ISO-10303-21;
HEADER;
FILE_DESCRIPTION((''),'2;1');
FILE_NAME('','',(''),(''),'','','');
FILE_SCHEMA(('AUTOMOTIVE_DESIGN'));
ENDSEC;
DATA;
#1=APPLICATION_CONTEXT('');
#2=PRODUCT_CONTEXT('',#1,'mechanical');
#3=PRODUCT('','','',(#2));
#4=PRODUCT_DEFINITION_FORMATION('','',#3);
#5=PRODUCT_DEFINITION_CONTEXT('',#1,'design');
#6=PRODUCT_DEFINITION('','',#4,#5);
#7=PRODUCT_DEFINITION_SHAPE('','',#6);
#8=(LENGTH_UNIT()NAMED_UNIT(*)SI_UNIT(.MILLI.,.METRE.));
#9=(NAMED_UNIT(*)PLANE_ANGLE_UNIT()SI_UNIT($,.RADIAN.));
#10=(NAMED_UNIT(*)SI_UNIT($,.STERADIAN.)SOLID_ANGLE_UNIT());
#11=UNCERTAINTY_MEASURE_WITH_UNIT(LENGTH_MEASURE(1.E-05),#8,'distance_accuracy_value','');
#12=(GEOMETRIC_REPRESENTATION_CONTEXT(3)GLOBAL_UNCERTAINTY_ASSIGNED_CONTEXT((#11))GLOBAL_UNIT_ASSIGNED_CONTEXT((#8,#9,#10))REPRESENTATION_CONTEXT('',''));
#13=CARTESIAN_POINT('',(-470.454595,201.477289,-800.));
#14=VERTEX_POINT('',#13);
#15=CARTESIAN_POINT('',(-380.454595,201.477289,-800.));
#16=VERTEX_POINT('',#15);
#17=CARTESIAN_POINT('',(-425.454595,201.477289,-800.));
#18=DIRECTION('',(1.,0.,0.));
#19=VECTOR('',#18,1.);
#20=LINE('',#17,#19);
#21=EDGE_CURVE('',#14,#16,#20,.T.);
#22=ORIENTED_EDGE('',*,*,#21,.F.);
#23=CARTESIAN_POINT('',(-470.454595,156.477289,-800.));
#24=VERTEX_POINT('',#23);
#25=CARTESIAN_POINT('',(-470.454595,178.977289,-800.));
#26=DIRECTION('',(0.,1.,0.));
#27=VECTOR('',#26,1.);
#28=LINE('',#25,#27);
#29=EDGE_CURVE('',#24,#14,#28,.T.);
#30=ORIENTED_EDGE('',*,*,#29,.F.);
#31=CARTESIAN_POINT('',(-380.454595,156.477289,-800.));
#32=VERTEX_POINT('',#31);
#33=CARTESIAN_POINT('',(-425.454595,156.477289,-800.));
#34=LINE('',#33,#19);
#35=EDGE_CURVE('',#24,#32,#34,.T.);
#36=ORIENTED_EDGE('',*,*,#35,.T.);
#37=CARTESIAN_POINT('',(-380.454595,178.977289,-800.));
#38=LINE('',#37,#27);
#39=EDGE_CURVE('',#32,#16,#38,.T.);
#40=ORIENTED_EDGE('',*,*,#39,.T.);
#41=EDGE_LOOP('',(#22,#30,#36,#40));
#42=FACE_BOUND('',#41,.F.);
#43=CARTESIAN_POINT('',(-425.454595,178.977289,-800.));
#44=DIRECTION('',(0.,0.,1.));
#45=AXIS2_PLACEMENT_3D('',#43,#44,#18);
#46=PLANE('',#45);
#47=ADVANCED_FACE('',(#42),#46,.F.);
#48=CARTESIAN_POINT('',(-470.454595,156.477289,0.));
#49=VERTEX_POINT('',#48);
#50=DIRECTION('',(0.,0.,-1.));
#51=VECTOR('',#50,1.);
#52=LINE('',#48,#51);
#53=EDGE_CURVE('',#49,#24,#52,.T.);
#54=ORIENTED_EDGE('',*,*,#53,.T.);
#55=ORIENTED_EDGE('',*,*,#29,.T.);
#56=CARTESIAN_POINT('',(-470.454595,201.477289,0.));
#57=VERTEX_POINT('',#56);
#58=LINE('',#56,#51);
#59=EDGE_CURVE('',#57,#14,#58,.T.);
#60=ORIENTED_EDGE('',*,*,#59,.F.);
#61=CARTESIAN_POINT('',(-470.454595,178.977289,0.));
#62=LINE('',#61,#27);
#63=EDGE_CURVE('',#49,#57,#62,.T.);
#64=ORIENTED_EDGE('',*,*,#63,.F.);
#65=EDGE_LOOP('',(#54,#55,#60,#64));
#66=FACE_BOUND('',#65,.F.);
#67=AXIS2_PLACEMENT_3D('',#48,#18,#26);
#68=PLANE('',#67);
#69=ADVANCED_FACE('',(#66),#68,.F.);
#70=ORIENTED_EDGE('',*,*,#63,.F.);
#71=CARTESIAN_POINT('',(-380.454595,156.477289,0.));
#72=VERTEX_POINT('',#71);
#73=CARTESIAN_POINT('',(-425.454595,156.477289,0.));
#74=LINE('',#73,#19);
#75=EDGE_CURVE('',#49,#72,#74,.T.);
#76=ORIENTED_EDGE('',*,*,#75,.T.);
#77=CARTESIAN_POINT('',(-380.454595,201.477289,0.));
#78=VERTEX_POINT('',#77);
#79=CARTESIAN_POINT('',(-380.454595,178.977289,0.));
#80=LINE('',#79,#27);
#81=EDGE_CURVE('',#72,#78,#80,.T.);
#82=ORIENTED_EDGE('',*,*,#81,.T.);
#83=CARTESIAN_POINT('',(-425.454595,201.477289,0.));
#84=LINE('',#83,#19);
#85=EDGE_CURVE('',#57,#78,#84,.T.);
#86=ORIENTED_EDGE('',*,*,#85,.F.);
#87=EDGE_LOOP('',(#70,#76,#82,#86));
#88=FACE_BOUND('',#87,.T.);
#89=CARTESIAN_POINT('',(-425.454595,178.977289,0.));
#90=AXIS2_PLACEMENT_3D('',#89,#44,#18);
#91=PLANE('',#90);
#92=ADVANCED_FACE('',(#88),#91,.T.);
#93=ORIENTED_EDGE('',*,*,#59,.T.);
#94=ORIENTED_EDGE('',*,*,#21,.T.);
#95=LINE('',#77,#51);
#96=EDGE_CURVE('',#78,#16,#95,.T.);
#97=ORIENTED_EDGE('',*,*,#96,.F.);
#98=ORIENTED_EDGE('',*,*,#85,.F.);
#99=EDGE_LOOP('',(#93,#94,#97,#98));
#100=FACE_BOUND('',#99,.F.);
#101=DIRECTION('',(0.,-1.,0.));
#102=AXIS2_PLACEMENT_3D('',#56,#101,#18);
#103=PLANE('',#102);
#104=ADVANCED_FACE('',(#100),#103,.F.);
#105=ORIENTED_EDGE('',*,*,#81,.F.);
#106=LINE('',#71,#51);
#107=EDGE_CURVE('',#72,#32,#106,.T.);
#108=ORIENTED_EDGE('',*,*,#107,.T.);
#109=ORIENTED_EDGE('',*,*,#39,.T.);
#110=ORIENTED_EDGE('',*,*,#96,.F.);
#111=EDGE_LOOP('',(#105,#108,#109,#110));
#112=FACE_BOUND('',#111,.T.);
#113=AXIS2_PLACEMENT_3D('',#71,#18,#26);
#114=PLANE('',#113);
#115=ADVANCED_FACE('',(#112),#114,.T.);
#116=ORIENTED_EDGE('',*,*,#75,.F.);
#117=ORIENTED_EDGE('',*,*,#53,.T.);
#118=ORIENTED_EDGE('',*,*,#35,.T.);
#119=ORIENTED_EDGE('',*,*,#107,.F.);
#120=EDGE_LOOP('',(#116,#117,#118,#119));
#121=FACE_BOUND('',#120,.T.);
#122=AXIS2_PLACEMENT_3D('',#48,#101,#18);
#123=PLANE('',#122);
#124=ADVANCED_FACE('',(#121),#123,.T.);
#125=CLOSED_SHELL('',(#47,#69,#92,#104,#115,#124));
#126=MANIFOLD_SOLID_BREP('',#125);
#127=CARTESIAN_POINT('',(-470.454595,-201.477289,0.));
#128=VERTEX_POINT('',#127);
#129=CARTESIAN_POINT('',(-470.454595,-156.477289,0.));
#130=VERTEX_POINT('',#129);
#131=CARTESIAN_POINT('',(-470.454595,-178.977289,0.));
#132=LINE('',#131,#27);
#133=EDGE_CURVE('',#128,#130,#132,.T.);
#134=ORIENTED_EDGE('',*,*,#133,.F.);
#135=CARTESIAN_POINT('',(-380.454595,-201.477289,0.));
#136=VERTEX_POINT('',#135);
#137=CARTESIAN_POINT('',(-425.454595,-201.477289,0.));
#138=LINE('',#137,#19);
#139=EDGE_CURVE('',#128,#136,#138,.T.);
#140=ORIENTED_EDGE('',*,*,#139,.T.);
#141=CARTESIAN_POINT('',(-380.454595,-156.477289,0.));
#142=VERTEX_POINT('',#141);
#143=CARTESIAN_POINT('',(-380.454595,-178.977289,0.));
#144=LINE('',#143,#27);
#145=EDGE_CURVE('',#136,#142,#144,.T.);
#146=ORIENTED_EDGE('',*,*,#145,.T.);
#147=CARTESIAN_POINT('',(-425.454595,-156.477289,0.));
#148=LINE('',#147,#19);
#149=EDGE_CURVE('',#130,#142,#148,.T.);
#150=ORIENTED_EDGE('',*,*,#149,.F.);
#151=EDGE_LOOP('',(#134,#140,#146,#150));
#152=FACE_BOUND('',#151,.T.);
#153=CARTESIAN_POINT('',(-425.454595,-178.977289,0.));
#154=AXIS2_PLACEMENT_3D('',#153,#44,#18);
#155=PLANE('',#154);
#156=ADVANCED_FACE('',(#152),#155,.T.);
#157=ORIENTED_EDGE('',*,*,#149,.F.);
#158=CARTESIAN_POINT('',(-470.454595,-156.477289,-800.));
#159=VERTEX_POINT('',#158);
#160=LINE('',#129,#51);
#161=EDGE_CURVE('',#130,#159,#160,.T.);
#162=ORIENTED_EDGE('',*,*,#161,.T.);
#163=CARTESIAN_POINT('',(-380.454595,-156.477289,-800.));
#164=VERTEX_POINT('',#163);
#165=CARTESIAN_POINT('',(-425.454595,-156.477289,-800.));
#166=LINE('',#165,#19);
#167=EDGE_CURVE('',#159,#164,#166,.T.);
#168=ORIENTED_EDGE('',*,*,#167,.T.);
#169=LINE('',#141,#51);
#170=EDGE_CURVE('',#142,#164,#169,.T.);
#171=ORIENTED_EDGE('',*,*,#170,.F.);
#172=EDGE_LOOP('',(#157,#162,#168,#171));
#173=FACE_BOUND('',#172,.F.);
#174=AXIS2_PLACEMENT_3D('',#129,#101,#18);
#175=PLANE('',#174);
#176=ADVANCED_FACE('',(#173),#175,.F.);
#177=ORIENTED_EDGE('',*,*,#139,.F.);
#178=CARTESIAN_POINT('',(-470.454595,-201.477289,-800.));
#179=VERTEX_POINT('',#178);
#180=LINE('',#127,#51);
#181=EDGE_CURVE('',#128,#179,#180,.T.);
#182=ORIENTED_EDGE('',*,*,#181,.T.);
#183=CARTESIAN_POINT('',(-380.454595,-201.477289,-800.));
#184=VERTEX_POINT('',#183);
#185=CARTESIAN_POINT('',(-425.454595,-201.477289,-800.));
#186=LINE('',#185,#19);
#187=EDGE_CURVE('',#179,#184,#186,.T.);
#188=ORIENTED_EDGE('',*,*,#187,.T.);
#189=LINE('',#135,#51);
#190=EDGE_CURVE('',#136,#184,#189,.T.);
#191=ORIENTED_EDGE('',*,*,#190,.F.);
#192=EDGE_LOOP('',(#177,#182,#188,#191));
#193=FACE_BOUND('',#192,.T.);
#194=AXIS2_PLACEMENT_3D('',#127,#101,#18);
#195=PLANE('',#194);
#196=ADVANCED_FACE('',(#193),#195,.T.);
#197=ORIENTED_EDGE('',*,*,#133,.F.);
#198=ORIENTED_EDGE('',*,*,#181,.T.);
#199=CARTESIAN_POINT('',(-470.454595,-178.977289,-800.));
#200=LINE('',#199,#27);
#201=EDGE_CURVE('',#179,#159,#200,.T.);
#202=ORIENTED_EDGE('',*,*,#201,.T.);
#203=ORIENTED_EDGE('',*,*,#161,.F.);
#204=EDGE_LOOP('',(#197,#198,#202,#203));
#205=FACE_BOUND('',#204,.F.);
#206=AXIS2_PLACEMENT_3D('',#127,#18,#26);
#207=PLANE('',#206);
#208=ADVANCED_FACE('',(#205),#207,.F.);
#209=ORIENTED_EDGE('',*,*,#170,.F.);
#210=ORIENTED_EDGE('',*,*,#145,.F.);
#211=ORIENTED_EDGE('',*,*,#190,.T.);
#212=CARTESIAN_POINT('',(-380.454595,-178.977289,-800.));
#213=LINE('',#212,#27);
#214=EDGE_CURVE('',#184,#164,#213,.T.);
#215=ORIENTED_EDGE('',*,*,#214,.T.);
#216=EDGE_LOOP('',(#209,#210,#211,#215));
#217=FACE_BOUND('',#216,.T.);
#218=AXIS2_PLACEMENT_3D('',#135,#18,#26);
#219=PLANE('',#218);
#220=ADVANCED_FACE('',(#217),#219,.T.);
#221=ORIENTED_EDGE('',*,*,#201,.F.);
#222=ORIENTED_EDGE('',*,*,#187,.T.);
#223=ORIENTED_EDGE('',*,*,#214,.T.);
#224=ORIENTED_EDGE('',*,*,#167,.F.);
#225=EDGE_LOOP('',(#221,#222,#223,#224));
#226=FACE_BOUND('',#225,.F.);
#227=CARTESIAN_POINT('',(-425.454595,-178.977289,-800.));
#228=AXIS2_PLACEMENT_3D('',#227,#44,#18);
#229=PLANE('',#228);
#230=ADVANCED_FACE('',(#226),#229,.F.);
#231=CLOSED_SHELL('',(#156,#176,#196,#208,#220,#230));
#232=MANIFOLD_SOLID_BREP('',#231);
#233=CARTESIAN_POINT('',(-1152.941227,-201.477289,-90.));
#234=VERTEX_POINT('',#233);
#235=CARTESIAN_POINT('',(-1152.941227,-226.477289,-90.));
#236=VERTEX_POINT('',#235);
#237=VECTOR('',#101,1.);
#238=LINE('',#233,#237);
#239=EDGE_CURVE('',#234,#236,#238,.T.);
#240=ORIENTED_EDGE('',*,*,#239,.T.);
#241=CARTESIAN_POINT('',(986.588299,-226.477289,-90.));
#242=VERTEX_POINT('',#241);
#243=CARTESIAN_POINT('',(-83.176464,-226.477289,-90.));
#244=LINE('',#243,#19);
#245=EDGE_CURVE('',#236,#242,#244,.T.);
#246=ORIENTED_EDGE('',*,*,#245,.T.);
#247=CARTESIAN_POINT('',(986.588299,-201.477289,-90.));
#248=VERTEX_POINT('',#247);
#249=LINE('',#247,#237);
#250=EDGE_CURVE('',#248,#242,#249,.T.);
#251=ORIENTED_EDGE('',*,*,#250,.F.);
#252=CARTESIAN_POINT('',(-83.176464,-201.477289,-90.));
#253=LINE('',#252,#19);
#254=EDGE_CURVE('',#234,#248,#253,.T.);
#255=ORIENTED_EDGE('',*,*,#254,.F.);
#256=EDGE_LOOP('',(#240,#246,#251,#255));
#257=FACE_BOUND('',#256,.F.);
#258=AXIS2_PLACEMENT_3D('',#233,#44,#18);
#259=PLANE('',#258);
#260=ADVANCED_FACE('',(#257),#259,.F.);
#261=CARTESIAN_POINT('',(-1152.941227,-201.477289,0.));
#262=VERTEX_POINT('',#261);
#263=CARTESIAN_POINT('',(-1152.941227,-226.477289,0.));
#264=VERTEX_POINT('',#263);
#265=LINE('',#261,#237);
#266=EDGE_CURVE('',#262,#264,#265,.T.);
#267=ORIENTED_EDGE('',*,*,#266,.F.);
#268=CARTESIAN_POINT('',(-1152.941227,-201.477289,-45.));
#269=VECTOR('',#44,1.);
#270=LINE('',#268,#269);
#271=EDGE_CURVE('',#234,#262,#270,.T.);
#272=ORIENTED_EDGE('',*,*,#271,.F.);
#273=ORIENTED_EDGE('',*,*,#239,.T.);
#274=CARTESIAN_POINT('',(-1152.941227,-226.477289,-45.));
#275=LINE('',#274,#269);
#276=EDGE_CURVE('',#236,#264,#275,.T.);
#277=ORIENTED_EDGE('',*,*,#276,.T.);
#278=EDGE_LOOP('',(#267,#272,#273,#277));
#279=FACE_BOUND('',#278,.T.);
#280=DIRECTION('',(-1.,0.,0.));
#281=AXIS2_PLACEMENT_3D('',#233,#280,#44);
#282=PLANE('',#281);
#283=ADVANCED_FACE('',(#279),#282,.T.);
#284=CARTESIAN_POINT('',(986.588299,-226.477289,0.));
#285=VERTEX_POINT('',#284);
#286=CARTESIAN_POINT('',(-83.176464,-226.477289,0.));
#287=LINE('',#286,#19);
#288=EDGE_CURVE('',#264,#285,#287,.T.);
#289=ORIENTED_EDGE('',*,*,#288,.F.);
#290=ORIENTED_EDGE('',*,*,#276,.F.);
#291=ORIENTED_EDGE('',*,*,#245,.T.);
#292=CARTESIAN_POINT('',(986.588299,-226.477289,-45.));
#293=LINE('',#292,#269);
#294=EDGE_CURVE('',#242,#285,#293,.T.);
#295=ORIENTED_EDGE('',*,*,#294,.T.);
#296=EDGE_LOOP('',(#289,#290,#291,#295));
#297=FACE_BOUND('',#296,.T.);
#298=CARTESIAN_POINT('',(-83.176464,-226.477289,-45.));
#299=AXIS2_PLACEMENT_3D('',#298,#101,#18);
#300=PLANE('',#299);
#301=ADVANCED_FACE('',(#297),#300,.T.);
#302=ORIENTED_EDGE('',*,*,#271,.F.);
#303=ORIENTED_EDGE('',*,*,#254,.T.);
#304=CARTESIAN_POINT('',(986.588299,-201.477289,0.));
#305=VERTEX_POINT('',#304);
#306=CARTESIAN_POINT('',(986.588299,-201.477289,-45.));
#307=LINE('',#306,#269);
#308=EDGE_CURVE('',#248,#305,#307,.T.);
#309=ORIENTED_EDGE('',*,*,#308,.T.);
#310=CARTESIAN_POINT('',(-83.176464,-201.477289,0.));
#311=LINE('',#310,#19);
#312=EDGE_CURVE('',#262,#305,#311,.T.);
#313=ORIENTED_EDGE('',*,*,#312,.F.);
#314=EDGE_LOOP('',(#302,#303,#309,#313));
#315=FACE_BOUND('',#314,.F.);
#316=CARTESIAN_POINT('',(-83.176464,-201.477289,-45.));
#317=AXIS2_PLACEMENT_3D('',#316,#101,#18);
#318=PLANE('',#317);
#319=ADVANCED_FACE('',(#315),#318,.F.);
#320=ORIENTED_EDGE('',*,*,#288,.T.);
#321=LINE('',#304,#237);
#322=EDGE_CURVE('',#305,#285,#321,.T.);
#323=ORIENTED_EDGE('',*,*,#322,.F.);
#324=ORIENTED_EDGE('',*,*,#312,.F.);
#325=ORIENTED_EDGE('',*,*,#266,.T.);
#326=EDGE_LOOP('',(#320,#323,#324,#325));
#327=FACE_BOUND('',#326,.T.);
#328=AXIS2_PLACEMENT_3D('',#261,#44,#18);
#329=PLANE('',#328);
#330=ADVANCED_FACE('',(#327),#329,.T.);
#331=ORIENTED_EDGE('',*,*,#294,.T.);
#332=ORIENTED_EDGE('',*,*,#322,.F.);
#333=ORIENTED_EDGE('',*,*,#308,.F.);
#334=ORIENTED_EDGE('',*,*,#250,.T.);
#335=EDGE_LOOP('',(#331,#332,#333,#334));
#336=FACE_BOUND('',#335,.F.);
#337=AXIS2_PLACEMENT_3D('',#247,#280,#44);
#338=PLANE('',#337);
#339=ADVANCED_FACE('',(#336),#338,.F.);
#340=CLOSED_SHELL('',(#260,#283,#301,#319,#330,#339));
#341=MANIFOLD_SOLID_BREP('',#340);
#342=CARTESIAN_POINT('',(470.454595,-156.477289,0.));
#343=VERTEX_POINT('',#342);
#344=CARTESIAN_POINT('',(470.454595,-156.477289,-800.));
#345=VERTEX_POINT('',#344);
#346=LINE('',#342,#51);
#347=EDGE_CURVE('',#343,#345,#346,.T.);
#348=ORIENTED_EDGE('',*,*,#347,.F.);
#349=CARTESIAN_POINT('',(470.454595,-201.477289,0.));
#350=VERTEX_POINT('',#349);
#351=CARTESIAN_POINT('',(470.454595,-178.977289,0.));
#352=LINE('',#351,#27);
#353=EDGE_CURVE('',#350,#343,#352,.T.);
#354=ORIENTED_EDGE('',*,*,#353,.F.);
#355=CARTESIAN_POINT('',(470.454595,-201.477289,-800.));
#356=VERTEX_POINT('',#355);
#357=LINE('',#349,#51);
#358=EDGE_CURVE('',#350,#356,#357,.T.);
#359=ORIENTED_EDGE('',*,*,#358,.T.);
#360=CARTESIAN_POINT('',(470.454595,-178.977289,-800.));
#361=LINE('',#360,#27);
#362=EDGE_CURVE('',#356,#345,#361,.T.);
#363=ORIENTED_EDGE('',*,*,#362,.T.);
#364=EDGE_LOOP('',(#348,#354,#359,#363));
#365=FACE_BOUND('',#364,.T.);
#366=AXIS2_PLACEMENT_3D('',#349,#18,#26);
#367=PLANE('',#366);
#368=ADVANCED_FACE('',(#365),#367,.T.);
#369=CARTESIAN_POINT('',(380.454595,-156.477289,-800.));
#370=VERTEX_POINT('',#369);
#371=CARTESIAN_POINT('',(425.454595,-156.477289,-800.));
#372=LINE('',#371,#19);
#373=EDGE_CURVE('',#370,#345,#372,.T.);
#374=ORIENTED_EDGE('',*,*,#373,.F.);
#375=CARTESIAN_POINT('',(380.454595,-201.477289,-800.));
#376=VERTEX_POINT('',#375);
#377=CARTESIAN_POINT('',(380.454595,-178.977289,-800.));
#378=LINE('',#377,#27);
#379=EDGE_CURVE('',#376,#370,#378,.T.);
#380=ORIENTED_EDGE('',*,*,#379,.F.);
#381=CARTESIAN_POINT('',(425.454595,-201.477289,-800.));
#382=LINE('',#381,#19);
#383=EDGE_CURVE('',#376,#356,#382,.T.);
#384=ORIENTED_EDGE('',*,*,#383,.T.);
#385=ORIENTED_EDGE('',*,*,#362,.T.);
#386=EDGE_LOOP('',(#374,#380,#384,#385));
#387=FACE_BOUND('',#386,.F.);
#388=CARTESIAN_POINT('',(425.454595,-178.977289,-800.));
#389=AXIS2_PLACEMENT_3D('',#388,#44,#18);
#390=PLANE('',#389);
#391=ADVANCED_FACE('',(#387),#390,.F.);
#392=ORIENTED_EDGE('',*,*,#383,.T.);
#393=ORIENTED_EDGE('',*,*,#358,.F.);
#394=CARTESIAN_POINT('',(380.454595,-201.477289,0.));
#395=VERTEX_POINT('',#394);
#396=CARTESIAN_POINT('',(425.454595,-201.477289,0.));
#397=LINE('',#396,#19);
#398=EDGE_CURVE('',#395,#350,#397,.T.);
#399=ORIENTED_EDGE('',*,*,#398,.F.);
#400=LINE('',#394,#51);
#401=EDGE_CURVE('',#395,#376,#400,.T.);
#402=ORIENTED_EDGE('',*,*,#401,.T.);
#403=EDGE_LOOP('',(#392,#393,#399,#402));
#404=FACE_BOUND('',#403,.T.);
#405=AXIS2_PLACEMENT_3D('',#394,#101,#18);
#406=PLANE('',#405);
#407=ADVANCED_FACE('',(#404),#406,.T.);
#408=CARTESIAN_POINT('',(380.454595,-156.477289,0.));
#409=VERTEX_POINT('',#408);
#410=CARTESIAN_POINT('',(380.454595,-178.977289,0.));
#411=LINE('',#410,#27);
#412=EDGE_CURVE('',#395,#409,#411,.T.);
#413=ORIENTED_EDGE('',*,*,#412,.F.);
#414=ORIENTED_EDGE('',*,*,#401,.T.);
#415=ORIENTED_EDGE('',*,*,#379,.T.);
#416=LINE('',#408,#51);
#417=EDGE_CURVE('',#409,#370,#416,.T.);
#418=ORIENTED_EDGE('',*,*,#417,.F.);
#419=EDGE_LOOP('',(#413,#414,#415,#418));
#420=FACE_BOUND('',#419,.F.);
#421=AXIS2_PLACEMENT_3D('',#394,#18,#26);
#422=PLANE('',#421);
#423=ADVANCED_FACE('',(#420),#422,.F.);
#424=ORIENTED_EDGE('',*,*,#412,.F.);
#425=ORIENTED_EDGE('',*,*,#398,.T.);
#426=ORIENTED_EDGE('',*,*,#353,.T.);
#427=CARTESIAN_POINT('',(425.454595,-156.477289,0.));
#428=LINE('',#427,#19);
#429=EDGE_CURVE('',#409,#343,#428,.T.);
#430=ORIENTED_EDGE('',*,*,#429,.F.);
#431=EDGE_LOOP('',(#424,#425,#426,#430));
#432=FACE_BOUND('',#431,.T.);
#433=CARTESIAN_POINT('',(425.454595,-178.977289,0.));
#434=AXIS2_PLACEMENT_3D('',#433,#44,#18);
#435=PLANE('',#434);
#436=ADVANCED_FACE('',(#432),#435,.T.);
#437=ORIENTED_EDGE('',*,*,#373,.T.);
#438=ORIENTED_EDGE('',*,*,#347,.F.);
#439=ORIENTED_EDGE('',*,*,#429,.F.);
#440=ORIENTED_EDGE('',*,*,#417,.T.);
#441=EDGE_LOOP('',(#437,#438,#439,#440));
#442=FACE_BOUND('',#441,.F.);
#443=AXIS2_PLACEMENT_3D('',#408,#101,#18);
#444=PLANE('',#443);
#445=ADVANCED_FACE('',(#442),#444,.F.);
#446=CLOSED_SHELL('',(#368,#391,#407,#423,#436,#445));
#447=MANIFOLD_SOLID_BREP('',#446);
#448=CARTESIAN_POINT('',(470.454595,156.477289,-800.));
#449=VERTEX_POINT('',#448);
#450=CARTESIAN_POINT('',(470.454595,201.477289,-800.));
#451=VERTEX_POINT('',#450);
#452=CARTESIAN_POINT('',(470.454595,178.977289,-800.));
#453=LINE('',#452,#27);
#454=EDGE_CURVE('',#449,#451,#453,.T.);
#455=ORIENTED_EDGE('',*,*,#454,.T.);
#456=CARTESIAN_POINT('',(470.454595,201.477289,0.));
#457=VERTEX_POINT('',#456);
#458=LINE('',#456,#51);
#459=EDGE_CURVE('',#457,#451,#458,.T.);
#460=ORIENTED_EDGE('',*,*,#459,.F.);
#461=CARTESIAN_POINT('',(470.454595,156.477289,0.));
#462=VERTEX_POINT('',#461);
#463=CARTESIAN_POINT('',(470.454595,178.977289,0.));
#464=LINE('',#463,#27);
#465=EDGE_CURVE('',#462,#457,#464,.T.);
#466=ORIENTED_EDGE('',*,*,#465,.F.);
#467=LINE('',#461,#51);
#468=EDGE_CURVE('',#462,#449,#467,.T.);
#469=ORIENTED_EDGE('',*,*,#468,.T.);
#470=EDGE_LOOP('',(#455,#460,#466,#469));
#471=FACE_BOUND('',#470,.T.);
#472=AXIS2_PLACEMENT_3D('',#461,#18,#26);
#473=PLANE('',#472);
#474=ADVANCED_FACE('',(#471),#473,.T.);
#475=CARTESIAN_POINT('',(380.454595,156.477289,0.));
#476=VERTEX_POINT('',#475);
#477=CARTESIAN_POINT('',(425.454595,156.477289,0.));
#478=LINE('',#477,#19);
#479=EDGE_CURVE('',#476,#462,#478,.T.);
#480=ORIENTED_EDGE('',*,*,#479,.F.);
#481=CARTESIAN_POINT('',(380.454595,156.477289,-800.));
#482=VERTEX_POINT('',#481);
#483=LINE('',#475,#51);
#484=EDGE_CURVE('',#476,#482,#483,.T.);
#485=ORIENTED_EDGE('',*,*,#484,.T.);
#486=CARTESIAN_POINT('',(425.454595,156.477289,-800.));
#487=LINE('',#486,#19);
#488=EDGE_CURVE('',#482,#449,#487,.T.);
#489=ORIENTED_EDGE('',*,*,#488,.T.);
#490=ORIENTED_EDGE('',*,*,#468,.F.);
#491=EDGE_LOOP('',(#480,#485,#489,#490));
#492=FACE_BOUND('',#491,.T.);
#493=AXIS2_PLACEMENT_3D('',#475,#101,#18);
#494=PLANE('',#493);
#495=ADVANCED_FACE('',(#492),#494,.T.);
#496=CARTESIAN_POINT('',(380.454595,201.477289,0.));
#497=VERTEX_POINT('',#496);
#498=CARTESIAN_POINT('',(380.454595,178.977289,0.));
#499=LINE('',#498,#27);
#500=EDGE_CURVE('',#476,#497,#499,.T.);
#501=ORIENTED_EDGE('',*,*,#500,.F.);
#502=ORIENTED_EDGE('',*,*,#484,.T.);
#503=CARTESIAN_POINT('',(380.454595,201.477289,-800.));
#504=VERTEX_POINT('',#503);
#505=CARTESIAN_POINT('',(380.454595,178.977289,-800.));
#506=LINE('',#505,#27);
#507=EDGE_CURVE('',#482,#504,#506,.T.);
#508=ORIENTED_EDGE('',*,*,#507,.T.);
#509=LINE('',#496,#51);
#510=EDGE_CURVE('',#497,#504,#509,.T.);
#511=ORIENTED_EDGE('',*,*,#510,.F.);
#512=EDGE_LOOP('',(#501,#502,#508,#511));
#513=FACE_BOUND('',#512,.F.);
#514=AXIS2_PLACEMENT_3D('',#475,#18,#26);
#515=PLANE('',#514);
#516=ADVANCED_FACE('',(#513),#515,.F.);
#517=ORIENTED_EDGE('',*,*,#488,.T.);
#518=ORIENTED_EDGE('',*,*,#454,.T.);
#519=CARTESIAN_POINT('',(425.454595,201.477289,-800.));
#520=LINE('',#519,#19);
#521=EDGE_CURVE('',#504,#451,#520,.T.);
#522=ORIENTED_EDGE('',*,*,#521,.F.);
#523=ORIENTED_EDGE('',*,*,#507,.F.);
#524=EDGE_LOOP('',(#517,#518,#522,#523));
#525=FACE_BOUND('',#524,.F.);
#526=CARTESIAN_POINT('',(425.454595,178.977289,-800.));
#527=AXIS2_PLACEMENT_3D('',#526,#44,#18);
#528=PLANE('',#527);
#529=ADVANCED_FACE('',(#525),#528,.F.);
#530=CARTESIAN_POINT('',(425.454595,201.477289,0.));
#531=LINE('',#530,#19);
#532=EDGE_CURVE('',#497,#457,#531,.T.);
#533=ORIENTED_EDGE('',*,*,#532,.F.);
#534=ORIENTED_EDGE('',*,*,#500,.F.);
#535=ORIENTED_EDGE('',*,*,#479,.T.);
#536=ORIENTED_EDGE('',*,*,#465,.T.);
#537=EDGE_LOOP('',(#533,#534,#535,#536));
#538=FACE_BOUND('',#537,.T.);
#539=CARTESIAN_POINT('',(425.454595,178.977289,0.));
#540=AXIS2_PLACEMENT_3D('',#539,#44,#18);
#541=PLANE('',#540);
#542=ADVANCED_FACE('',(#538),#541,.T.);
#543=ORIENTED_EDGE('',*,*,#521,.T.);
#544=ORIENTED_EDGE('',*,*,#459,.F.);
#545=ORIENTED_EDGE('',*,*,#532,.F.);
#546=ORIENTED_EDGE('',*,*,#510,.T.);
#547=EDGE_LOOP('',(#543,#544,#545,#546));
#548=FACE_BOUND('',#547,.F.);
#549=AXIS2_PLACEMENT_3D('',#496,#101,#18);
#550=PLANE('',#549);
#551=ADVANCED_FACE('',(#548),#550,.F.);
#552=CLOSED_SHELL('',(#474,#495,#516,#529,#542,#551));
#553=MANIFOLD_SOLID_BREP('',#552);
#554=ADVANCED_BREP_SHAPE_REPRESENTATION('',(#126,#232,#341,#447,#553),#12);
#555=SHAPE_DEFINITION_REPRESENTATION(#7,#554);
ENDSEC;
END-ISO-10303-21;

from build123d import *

# Parameters (mm, degrees)
F1_W     = 90
F1_H     = 45
F2_DEPTH = 800
F3_W     = 2139.529526
F3_H     = 90
F4_DEPTH = 25


with BuildPart() as f2:
    # F1 (on Top) → F2 (new body)
    with BuildSketch(Plane.XY):
        with Locations((-425.454595, 178.977289)):
            Rectangle(F1_W, F1_H)
        with Locations((-425.454595, -178.977289)):
            Rectangle(F1_W, F1_H)
        with Locations((425.454595, 178.977289)):
            Rectangle(F1_W, F1_H)
        with Locations((425.454595, -178.977289)):
            Rectangle(F1_W, F1_H)
    extrude(amount=-F2_DEPTH)


with BuildPart() as f4:
    # F3 (on face) → F4 (new body)
    with BuildSketch(Plane.XZ.offset(201.477289)):
        with Locations((-83.176464, -45)):
            Rectangle(F3_W, F3_H)
    extrude(amount=F4_DEPTH)


solid = Compound([f2.part, f4.part])
